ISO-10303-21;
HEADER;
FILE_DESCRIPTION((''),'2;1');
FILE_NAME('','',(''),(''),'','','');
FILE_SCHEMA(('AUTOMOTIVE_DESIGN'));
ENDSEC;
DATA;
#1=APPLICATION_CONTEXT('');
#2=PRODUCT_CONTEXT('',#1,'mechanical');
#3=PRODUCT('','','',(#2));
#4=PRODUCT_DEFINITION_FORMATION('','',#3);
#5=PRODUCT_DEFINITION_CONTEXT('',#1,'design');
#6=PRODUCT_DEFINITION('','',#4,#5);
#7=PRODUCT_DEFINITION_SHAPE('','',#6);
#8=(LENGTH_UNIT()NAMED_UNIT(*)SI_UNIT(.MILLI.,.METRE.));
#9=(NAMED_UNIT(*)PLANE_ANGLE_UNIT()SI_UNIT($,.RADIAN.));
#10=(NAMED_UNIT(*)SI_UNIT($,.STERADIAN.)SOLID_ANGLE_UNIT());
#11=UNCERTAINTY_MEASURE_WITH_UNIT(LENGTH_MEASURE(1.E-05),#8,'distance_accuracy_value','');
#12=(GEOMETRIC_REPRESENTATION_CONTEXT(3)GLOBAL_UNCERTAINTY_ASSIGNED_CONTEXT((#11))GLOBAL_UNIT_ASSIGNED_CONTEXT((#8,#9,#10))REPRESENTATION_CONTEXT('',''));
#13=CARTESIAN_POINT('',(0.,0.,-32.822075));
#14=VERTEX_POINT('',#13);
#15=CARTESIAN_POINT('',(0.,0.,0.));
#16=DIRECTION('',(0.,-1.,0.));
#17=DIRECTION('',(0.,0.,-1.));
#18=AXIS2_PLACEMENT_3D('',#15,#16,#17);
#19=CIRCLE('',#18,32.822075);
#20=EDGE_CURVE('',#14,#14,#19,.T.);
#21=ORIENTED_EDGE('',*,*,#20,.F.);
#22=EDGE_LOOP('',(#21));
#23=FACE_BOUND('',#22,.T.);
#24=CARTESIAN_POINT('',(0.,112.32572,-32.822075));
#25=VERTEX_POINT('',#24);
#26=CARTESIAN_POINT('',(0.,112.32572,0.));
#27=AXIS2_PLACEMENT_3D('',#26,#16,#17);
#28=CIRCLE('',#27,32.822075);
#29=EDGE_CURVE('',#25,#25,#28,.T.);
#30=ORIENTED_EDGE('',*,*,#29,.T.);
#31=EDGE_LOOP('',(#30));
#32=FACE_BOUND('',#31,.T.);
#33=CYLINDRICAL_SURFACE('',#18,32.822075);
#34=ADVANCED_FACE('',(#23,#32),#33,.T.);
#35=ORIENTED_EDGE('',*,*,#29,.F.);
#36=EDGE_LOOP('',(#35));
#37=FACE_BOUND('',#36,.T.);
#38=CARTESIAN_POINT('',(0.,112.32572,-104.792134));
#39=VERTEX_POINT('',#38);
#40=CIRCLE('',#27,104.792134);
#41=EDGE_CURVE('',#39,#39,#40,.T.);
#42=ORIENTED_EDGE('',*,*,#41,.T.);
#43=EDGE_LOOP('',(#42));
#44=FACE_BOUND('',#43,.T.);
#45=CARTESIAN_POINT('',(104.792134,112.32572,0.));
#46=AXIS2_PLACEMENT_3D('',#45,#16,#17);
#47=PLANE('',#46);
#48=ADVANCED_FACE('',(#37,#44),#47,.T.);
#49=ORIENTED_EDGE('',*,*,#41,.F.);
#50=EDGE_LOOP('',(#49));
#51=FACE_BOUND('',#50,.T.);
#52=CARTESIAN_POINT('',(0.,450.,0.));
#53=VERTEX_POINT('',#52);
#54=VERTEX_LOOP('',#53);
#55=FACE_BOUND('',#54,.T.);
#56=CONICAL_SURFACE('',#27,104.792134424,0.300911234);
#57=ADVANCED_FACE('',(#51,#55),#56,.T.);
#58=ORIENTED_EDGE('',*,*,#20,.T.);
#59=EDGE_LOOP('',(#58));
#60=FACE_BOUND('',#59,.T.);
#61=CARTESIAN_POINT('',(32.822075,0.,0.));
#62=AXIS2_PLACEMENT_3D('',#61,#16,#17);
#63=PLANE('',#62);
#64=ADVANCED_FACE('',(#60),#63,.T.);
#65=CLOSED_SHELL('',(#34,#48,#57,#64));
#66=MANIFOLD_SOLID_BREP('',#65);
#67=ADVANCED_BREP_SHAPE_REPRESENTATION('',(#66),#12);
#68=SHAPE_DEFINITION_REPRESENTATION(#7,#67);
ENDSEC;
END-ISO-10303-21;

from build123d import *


with BuildPart() as part:
    # Sketch2 → Revolve1 (revolve)
    with BuildSketch(Plane.XY):
        Polygon((0, 0), (0, 450), (104.792134424, 112.325719713), (32.822074733, 112.325719713), (32.822074733, 0), align=None)
    revolve(axis=Axis((0, 0, 0), (0, 1, 0)))


solid = part.part
